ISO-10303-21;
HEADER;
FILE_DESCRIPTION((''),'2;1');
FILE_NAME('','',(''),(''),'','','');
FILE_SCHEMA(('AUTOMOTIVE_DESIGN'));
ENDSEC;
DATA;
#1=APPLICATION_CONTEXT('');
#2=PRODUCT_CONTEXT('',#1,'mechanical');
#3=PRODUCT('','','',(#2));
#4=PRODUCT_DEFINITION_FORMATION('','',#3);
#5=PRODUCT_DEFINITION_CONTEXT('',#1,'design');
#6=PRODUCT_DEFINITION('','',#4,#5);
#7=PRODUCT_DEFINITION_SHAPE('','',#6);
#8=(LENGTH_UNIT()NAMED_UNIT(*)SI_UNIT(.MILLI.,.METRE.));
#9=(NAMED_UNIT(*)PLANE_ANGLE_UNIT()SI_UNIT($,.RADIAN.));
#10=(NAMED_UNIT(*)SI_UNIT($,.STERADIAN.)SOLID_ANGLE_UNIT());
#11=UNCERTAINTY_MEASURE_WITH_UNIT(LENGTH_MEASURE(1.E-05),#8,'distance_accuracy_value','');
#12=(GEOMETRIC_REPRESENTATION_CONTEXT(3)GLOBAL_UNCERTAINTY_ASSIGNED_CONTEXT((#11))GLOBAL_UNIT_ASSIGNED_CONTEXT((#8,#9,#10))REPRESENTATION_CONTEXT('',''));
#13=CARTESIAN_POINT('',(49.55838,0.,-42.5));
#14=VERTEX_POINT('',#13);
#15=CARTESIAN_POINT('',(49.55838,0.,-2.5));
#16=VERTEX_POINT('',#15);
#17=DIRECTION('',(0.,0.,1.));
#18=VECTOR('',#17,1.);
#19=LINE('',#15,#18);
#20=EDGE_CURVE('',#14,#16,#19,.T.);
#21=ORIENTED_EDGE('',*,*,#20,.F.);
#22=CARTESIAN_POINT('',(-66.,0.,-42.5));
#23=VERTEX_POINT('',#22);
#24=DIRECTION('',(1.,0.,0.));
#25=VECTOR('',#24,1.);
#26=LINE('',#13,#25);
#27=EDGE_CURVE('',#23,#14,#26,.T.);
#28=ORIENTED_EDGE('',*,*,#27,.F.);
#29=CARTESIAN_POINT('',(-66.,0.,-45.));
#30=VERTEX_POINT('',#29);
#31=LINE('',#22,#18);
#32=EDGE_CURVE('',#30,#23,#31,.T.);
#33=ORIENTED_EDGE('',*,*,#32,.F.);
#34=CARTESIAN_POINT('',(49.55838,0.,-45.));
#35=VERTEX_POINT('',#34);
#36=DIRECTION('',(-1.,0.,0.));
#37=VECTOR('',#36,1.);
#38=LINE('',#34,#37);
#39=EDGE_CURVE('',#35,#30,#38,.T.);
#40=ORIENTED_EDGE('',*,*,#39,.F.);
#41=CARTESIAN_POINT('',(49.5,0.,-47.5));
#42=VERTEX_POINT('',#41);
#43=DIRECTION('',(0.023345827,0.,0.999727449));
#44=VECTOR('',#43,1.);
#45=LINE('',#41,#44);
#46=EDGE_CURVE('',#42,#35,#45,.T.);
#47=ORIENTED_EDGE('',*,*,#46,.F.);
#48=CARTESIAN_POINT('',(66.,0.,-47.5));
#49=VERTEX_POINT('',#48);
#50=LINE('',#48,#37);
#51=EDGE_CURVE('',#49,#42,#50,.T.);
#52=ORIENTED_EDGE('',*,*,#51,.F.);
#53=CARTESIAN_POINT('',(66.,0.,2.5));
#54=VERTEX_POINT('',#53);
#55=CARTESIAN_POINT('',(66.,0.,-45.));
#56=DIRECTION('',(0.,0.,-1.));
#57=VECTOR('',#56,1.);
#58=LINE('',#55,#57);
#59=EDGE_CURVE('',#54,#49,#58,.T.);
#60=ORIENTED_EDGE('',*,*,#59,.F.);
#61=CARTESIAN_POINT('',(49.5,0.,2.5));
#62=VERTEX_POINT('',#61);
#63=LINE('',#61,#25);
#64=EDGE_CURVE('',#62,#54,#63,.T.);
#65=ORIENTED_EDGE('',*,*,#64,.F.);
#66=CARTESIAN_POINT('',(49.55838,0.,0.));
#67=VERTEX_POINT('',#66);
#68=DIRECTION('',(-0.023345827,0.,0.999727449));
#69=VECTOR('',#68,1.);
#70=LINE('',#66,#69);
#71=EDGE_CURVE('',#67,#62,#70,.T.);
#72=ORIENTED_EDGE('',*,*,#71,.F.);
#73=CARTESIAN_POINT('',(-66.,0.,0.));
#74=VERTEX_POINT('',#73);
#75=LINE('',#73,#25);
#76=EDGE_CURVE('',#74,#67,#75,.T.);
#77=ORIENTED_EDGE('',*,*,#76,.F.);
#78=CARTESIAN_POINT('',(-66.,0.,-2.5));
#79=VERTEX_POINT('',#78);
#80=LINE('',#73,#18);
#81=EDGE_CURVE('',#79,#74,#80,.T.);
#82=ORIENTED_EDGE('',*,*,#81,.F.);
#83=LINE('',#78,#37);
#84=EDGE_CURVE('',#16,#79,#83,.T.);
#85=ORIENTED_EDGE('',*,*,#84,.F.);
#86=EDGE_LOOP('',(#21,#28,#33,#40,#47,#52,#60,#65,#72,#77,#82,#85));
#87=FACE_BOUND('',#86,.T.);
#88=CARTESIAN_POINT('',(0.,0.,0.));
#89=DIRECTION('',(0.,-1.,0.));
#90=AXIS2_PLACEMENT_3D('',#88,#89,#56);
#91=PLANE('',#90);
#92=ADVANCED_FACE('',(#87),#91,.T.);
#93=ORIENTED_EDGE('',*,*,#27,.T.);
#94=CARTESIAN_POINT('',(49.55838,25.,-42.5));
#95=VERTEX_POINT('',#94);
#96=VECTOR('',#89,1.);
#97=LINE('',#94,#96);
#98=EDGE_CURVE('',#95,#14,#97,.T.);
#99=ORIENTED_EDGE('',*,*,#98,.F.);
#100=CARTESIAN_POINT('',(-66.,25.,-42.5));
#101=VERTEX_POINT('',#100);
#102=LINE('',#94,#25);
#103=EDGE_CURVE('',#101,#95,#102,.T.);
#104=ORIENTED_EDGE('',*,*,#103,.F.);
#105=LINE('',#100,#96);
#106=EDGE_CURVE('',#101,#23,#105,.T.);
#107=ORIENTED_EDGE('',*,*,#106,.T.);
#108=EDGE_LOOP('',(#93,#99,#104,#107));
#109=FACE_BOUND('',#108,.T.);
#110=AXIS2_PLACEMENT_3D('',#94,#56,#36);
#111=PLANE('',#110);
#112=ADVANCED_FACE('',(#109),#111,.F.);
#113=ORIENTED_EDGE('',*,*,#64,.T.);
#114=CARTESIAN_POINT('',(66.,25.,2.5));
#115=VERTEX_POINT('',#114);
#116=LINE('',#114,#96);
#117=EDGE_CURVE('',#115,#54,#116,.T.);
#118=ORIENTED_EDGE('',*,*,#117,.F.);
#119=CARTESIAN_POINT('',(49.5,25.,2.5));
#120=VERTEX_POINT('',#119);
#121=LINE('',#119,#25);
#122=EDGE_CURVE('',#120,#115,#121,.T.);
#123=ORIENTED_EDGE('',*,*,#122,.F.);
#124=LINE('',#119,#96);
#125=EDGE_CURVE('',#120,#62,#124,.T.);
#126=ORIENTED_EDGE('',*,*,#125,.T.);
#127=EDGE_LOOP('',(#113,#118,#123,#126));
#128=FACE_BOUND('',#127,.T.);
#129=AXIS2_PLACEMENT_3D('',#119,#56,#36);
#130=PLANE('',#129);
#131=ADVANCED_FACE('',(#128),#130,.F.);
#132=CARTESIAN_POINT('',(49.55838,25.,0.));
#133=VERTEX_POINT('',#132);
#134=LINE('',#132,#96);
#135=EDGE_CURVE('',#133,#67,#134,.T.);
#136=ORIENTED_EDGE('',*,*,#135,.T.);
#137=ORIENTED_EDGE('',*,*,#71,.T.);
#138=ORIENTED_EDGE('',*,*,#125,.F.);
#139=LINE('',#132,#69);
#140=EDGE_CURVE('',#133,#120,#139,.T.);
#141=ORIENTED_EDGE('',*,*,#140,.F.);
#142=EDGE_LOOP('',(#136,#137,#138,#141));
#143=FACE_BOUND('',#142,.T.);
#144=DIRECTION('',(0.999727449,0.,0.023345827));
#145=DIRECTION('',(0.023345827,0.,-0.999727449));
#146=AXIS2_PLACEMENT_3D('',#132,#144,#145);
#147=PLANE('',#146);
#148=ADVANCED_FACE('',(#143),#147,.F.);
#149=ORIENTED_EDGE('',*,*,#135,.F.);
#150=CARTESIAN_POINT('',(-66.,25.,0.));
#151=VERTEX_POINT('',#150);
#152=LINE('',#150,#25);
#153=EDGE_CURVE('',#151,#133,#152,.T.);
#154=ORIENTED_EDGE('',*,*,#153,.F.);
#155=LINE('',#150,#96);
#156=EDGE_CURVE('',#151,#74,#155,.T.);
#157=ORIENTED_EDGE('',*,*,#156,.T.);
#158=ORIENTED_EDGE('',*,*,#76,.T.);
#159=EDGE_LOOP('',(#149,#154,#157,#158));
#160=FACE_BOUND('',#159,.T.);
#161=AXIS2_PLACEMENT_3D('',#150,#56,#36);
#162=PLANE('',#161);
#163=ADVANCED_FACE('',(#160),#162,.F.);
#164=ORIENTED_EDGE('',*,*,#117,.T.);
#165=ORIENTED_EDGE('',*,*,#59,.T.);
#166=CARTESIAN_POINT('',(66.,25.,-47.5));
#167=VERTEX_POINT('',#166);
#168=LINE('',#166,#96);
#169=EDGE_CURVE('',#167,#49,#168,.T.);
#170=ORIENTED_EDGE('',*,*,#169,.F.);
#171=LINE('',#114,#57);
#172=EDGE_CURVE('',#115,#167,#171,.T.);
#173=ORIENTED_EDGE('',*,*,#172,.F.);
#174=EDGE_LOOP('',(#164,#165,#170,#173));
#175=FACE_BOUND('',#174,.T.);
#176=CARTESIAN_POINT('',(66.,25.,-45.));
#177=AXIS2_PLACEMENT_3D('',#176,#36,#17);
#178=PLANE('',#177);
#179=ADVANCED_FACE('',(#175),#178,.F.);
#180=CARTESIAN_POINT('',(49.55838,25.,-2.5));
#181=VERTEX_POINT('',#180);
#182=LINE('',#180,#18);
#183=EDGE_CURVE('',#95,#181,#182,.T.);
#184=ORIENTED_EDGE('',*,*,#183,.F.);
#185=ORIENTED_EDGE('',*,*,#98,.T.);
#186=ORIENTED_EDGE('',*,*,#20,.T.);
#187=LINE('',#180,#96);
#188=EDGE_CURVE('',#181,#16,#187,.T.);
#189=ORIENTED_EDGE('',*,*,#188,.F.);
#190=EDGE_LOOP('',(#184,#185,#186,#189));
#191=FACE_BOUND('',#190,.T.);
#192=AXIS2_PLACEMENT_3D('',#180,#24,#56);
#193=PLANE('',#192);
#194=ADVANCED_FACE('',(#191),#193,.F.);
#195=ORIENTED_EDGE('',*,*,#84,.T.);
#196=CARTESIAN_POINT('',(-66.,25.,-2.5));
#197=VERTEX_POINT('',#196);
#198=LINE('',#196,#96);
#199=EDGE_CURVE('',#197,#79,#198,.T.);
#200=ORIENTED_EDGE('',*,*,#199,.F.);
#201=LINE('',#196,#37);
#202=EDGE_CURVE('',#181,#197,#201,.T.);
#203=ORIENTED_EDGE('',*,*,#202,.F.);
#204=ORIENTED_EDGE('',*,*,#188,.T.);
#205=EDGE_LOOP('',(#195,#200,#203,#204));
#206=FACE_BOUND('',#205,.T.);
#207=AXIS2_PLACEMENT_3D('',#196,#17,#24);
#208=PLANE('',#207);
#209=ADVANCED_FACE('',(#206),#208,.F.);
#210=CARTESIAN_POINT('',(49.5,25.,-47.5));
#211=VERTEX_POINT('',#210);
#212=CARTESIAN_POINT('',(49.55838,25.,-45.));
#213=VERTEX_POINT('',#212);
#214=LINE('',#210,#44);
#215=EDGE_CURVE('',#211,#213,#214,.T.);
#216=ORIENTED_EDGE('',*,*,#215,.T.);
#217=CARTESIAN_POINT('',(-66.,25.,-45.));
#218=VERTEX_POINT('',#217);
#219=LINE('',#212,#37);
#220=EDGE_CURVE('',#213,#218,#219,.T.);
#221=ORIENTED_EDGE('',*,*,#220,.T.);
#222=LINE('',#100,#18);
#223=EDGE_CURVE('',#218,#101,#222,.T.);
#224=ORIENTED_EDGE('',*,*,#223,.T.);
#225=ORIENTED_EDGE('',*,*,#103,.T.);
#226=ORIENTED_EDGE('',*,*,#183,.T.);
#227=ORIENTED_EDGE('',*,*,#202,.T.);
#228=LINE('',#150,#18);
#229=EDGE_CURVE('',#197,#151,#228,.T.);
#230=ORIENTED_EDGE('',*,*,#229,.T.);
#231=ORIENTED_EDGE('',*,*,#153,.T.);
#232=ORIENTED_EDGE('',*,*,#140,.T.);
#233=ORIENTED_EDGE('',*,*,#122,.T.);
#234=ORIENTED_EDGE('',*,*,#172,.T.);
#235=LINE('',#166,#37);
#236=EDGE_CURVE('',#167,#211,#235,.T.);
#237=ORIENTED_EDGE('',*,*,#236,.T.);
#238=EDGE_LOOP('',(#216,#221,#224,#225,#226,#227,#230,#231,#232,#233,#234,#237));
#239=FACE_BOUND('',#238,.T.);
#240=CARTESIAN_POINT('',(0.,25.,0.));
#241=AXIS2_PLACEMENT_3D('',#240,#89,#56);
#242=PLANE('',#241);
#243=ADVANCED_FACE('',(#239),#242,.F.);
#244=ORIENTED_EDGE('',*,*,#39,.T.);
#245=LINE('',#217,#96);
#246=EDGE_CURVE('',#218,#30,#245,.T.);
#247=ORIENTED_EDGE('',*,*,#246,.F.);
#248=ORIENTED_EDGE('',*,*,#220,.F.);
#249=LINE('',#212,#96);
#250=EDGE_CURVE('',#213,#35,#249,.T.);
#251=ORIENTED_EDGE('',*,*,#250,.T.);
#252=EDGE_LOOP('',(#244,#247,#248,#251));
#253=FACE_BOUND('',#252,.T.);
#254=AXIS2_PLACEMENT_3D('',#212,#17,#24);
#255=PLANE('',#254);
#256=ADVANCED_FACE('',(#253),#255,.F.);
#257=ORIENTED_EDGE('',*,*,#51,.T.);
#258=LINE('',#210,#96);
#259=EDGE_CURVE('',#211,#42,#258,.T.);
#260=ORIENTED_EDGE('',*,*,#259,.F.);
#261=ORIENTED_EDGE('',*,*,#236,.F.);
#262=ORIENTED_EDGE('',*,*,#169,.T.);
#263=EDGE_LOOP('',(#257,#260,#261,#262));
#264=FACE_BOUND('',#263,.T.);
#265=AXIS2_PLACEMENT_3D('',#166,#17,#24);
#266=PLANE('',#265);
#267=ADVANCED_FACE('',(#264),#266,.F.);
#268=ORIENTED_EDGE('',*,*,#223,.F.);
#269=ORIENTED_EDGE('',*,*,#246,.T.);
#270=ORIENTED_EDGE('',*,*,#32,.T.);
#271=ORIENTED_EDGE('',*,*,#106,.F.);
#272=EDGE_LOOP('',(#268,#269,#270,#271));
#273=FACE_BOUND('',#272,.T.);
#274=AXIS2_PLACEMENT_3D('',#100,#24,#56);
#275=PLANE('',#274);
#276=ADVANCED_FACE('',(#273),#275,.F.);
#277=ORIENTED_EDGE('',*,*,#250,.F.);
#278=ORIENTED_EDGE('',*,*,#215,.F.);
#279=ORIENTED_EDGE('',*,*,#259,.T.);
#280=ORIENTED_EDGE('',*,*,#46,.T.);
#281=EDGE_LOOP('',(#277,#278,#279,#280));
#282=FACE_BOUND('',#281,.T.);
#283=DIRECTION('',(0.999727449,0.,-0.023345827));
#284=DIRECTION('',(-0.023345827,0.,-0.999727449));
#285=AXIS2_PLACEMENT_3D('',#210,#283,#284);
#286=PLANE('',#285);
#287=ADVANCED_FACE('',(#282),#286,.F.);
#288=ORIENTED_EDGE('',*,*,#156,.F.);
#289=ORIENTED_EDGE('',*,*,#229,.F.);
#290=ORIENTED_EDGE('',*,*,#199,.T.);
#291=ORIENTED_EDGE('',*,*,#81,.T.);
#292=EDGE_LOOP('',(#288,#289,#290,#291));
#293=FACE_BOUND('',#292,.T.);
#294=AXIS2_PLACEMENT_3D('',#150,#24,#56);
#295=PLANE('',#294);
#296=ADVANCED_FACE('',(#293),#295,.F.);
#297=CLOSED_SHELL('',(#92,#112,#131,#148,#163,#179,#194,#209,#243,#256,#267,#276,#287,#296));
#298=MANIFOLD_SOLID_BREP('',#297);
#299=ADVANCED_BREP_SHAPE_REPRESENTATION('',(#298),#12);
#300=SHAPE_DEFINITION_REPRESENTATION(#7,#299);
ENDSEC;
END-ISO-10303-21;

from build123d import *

# Parameters (mm, degrees)
BOSS_EXTRUDE1_DEPTH = 25


with BuildPart() as part:
    # Sketch1 → Boss-Extrude1 (new body)
    with BuildSketch(Plane(origin=(0, 0, 0), x_dir=(1, 0, 0), z_dir=(0, 1, 0))):
        Polygon((49.558380479, 0), (49.5, -2.5), (66, -2.5), (66, 0), (66, 45), (66, 47.5), (49.5, 47.5), (49.558380479, 45), (-66, 45), (-66, 42.5), (49.558380479, 42.5), (49.558380479, 2.5), (-66, 2.5), (-66, 0), align=None)
    extrude(amount=BOSS_EXTRUDE1_DEPTH)


solid = part.part
